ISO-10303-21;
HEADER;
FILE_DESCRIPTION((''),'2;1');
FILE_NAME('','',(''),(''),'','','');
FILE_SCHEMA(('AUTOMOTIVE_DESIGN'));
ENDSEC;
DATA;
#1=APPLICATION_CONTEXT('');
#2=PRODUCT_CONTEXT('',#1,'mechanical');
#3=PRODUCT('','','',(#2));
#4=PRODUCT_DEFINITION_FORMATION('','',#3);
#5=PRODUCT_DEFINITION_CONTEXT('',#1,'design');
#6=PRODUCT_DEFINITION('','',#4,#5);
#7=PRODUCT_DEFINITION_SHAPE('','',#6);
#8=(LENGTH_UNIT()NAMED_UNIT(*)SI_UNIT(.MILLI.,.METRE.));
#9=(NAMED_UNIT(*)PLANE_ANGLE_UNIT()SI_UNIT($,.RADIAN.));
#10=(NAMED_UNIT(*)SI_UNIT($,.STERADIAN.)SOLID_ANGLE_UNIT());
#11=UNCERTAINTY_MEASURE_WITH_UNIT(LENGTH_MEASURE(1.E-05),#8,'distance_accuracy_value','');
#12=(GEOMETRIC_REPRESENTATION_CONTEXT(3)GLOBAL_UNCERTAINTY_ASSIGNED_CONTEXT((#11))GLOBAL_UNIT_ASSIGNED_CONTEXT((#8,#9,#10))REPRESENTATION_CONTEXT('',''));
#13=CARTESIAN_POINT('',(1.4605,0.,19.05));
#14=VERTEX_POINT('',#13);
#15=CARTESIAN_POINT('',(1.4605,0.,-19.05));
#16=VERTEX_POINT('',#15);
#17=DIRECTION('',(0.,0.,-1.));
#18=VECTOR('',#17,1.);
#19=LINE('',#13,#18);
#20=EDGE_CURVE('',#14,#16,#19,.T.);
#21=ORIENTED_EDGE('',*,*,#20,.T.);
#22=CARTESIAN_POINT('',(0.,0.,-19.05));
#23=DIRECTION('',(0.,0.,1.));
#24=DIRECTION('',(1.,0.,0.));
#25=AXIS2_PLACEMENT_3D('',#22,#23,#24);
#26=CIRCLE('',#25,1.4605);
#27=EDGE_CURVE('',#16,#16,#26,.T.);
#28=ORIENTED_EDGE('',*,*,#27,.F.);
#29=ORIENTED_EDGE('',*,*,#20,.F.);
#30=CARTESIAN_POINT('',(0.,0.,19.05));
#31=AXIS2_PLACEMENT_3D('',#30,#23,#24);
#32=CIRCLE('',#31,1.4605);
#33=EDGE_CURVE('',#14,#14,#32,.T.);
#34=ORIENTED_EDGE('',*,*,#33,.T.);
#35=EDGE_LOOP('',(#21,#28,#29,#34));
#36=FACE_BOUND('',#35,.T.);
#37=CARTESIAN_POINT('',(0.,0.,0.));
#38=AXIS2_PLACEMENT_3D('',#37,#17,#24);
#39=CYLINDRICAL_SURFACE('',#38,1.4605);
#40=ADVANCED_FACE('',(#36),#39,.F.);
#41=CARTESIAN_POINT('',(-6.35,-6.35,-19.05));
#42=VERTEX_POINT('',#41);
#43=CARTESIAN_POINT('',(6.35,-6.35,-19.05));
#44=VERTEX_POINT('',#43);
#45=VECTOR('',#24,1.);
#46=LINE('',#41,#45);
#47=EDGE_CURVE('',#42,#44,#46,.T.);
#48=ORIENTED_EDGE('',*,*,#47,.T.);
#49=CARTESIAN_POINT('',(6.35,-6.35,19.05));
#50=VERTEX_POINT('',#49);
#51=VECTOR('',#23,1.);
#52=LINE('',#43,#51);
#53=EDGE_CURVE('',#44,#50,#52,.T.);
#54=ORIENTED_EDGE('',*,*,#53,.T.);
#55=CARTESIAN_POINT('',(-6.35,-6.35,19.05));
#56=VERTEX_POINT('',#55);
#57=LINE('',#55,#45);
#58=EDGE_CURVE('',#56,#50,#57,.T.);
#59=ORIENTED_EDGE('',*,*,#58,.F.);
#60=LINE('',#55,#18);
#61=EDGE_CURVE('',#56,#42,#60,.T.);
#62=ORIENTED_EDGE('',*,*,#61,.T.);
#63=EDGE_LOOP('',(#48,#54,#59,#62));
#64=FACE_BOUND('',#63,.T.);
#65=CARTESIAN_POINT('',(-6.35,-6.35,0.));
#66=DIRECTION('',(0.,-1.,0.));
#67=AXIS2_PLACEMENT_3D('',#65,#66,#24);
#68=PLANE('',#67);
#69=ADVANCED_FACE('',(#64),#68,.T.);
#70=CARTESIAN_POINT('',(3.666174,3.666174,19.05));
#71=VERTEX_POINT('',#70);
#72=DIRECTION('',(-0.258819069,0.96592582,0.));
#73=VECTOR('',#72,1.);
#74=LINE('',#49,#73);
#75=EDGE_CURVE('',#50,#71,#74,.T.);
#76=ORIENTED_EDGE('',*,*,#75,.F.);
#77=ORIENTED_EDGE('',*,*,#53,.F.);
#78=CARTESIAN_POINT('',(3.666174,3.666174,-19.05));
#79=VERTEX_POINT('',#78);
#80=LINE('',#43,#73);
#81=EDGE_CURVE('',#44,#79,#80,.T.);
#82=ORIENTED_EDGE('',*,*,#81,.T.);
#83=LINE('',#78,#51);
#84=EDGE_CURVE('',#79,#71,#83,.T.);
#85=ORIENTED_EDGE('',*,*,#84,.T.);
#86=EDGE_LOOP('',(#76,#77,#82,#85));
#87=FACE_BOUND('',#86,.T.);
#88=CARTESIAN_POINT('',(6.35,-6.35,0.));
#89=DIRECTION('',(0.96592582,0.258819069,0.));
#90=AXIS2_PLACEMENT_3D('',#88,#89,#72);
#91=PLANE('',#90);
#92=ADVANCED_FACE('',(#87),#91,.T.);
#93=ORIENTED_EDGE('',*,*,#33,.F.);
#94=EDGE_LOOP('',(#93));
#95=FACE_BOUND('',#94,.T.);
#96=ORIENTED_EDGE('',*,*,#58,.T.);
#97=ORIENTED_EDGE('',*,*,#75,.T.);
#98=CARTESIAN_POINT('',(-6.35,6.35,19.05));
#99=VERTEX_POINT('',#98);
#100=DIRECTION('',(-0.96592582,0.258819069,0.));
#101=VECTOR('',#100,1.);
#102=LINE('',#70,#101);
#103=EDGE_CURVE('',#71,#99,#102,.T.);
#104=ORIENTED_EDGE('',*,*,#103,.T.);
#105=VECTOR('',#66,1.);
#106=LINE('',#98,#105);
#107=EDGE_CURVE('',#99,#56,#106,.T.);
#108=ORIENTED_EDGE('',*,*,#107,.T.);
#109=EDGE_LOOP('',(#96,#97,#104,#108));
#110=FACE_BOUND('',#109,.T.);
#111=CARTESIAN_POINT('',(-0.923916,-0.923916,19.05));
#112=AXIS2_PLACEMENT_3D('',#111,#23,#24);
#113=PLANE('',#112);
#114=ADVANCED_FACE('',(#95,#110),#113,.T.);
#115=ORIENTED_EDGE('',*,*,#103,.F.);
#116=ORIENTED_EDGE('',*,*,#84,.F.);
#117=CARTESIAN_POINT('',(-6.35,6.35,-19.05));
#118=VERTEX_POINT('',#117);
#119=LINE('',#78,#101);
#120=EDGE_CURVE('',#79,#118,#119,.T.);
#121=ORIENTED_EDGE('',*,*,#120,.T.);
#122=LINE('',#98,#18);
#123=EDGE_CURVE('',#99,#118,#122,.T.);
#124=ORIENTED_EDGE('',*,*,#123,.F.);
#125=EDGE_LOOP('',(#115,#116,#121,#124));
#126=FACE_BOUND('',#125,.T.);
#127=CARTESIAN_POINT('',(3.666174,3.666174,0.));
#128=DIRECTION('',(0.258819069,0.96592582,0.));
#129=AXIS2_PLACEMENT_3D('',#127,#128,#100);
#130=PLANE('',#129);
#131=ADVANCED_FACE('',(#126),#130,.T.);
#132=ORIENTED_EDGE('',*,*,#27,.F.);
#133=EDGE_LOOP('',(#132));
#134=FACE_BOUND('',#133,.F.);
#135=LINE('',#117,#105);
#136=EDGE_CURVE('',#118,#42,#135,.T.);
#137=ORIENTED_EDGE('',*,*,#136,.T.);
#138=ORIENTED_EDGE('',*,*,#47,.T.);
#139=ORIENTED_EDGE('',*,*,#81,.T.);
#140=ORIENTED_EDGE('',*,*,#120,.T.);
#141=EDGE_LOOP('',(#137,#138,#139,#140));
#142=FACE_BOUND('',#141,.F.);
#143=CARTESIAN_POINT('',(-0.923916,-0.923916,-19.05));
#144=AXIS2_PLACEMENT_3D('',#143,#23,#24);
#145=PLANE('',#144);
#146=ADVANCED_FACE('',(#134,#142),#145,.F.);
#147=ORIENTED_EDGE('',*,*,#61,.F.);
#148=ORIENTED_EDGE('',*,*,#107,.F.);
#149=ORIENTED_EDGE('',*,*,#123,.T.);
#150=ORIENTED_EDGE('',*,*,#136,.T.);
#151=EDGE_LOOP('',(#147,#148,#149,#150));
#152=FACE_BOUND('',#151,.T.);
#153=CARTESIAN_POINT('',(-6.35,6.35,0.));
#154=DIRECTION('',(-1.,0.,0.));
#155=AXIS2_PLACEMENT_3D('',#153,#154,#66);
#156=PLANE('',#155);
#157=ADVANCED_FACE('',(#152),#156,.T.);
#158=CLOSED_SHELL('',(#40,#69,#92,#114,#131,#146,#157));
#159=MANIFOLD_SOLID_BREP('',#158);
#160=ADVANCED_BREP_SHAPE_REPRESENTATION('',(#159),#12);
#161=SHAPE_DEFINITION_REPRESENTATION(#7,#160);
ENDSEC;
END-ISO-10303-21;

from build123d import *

# Parameters (mm, degrees)
F0_R     = 1.4605
F1_DEPTH = 19.05


with BuildPart() as f1:
    # F0 (on Top) → F1 (new body, symmetric)
    with BuildSketch(Plane.XY):
        Polygon((-6.35, -6.35), (6.35, -6.35), (3.666174, 3.666174), (-6.35, 6.35), align=None)
        Circle(F0_R, mode=Mode.SUBTRACT)
    extrude(amount=F1_DEPTH, both=True)


solid = f1.part
